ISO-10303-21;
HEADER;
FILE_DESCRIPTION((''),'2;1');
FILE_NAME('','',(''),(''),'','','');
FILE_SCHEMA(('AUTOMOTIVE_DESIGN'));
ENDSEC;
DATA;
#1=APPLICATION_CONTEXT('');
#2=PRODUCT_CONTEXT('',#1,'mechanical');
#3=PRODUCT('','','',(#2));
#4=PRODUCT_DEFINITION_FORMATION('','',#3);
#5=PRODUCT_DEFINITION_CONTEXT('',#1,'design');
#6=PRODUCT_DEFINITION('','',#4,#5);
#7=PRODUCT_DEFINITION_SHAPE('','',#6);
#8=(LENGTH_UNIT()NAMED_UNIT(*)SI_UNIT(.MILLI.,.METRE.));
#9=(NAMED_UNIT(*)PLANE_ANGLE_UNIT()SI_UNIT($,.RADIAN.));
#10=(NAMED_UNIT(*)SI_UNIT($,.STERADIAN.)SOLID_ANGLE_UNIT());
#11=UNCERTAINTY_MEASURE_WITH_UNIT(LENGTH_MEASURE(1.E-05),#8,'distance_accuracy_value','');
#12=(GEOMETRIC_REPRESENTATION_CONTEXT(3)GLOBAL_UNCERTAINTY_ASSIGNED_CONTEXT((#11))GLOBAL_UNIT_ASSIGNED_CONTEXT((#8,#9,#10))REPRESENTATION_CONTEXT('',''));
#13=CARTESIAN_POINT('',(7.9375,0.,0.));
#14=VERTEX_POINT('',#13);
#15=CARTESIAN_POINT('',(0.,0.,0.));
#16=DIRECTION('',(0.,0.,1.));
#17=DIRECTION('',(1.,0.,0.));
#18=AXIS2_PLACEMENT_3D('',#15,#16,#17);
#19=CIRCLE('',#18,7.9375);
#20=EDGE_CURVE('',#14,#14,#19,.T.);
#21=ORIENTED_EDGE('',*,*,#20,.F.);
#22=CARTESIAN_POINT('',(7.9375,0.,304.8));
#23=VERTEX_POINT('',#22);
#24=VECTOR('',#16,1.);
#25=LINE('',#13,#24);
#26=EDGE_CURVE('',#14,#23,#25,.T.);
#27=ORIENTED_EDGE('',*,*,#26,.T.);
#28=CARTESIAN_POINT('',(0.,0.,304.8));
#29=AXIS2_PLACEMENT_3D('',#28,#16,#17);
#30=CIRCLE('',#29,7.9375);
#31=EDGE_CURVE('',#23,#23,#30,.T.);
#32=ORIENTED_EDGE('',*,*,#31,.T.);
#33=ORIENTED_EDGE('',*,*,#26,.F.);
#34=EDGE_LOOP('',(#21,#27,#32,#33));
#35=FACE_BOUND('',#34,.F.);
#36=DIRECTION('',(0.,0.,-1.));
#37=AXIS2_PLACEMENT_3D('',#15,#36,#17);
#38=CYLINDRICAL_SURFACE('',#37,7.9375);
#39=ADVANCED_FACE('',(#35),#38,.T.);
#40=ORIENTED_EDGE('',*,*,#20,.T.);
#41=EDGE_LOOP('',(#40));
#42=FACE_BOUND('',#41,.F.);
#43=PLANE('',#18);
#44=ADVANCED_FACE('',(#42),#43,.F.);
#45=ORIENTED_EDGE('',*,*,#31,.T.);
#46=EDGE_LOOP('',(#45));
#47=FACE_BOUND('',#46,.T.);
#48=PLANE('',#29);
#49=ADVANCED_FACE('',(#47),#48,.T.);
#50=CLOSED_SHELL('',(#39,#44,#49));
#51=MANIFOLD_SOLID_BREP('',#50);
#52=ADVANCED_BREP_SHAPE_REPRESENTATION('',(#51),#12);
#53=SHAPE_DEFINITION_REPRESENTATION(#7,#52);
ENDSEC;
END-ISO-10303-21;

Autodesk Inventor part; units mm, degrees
ref_plane "YZ Plane" through (0, 0, 0) normal (1, 0, 0) x (0, 1, 0)
ref_plane "XZ Plane" through (0, 0, 0) normal (0, 1, 0) x (-1, 0, 0)
ref_plane "XY Plane" through (0, 0, 0) normal (0, 0, 1) x (1, 0, 0)
sketch "Sketch1" plane through (0, 0, 0) normal (0, 0, 1) x (1, 0, 0)
  circle A0 centre (0, 0) radius 7.9375
  dimension "d0" = 15.875
extrude "Extrusion1" add sketch "Sketch1" along normal blind 304.8
properties part number "AWI-10" material "Aluminum-6061"
